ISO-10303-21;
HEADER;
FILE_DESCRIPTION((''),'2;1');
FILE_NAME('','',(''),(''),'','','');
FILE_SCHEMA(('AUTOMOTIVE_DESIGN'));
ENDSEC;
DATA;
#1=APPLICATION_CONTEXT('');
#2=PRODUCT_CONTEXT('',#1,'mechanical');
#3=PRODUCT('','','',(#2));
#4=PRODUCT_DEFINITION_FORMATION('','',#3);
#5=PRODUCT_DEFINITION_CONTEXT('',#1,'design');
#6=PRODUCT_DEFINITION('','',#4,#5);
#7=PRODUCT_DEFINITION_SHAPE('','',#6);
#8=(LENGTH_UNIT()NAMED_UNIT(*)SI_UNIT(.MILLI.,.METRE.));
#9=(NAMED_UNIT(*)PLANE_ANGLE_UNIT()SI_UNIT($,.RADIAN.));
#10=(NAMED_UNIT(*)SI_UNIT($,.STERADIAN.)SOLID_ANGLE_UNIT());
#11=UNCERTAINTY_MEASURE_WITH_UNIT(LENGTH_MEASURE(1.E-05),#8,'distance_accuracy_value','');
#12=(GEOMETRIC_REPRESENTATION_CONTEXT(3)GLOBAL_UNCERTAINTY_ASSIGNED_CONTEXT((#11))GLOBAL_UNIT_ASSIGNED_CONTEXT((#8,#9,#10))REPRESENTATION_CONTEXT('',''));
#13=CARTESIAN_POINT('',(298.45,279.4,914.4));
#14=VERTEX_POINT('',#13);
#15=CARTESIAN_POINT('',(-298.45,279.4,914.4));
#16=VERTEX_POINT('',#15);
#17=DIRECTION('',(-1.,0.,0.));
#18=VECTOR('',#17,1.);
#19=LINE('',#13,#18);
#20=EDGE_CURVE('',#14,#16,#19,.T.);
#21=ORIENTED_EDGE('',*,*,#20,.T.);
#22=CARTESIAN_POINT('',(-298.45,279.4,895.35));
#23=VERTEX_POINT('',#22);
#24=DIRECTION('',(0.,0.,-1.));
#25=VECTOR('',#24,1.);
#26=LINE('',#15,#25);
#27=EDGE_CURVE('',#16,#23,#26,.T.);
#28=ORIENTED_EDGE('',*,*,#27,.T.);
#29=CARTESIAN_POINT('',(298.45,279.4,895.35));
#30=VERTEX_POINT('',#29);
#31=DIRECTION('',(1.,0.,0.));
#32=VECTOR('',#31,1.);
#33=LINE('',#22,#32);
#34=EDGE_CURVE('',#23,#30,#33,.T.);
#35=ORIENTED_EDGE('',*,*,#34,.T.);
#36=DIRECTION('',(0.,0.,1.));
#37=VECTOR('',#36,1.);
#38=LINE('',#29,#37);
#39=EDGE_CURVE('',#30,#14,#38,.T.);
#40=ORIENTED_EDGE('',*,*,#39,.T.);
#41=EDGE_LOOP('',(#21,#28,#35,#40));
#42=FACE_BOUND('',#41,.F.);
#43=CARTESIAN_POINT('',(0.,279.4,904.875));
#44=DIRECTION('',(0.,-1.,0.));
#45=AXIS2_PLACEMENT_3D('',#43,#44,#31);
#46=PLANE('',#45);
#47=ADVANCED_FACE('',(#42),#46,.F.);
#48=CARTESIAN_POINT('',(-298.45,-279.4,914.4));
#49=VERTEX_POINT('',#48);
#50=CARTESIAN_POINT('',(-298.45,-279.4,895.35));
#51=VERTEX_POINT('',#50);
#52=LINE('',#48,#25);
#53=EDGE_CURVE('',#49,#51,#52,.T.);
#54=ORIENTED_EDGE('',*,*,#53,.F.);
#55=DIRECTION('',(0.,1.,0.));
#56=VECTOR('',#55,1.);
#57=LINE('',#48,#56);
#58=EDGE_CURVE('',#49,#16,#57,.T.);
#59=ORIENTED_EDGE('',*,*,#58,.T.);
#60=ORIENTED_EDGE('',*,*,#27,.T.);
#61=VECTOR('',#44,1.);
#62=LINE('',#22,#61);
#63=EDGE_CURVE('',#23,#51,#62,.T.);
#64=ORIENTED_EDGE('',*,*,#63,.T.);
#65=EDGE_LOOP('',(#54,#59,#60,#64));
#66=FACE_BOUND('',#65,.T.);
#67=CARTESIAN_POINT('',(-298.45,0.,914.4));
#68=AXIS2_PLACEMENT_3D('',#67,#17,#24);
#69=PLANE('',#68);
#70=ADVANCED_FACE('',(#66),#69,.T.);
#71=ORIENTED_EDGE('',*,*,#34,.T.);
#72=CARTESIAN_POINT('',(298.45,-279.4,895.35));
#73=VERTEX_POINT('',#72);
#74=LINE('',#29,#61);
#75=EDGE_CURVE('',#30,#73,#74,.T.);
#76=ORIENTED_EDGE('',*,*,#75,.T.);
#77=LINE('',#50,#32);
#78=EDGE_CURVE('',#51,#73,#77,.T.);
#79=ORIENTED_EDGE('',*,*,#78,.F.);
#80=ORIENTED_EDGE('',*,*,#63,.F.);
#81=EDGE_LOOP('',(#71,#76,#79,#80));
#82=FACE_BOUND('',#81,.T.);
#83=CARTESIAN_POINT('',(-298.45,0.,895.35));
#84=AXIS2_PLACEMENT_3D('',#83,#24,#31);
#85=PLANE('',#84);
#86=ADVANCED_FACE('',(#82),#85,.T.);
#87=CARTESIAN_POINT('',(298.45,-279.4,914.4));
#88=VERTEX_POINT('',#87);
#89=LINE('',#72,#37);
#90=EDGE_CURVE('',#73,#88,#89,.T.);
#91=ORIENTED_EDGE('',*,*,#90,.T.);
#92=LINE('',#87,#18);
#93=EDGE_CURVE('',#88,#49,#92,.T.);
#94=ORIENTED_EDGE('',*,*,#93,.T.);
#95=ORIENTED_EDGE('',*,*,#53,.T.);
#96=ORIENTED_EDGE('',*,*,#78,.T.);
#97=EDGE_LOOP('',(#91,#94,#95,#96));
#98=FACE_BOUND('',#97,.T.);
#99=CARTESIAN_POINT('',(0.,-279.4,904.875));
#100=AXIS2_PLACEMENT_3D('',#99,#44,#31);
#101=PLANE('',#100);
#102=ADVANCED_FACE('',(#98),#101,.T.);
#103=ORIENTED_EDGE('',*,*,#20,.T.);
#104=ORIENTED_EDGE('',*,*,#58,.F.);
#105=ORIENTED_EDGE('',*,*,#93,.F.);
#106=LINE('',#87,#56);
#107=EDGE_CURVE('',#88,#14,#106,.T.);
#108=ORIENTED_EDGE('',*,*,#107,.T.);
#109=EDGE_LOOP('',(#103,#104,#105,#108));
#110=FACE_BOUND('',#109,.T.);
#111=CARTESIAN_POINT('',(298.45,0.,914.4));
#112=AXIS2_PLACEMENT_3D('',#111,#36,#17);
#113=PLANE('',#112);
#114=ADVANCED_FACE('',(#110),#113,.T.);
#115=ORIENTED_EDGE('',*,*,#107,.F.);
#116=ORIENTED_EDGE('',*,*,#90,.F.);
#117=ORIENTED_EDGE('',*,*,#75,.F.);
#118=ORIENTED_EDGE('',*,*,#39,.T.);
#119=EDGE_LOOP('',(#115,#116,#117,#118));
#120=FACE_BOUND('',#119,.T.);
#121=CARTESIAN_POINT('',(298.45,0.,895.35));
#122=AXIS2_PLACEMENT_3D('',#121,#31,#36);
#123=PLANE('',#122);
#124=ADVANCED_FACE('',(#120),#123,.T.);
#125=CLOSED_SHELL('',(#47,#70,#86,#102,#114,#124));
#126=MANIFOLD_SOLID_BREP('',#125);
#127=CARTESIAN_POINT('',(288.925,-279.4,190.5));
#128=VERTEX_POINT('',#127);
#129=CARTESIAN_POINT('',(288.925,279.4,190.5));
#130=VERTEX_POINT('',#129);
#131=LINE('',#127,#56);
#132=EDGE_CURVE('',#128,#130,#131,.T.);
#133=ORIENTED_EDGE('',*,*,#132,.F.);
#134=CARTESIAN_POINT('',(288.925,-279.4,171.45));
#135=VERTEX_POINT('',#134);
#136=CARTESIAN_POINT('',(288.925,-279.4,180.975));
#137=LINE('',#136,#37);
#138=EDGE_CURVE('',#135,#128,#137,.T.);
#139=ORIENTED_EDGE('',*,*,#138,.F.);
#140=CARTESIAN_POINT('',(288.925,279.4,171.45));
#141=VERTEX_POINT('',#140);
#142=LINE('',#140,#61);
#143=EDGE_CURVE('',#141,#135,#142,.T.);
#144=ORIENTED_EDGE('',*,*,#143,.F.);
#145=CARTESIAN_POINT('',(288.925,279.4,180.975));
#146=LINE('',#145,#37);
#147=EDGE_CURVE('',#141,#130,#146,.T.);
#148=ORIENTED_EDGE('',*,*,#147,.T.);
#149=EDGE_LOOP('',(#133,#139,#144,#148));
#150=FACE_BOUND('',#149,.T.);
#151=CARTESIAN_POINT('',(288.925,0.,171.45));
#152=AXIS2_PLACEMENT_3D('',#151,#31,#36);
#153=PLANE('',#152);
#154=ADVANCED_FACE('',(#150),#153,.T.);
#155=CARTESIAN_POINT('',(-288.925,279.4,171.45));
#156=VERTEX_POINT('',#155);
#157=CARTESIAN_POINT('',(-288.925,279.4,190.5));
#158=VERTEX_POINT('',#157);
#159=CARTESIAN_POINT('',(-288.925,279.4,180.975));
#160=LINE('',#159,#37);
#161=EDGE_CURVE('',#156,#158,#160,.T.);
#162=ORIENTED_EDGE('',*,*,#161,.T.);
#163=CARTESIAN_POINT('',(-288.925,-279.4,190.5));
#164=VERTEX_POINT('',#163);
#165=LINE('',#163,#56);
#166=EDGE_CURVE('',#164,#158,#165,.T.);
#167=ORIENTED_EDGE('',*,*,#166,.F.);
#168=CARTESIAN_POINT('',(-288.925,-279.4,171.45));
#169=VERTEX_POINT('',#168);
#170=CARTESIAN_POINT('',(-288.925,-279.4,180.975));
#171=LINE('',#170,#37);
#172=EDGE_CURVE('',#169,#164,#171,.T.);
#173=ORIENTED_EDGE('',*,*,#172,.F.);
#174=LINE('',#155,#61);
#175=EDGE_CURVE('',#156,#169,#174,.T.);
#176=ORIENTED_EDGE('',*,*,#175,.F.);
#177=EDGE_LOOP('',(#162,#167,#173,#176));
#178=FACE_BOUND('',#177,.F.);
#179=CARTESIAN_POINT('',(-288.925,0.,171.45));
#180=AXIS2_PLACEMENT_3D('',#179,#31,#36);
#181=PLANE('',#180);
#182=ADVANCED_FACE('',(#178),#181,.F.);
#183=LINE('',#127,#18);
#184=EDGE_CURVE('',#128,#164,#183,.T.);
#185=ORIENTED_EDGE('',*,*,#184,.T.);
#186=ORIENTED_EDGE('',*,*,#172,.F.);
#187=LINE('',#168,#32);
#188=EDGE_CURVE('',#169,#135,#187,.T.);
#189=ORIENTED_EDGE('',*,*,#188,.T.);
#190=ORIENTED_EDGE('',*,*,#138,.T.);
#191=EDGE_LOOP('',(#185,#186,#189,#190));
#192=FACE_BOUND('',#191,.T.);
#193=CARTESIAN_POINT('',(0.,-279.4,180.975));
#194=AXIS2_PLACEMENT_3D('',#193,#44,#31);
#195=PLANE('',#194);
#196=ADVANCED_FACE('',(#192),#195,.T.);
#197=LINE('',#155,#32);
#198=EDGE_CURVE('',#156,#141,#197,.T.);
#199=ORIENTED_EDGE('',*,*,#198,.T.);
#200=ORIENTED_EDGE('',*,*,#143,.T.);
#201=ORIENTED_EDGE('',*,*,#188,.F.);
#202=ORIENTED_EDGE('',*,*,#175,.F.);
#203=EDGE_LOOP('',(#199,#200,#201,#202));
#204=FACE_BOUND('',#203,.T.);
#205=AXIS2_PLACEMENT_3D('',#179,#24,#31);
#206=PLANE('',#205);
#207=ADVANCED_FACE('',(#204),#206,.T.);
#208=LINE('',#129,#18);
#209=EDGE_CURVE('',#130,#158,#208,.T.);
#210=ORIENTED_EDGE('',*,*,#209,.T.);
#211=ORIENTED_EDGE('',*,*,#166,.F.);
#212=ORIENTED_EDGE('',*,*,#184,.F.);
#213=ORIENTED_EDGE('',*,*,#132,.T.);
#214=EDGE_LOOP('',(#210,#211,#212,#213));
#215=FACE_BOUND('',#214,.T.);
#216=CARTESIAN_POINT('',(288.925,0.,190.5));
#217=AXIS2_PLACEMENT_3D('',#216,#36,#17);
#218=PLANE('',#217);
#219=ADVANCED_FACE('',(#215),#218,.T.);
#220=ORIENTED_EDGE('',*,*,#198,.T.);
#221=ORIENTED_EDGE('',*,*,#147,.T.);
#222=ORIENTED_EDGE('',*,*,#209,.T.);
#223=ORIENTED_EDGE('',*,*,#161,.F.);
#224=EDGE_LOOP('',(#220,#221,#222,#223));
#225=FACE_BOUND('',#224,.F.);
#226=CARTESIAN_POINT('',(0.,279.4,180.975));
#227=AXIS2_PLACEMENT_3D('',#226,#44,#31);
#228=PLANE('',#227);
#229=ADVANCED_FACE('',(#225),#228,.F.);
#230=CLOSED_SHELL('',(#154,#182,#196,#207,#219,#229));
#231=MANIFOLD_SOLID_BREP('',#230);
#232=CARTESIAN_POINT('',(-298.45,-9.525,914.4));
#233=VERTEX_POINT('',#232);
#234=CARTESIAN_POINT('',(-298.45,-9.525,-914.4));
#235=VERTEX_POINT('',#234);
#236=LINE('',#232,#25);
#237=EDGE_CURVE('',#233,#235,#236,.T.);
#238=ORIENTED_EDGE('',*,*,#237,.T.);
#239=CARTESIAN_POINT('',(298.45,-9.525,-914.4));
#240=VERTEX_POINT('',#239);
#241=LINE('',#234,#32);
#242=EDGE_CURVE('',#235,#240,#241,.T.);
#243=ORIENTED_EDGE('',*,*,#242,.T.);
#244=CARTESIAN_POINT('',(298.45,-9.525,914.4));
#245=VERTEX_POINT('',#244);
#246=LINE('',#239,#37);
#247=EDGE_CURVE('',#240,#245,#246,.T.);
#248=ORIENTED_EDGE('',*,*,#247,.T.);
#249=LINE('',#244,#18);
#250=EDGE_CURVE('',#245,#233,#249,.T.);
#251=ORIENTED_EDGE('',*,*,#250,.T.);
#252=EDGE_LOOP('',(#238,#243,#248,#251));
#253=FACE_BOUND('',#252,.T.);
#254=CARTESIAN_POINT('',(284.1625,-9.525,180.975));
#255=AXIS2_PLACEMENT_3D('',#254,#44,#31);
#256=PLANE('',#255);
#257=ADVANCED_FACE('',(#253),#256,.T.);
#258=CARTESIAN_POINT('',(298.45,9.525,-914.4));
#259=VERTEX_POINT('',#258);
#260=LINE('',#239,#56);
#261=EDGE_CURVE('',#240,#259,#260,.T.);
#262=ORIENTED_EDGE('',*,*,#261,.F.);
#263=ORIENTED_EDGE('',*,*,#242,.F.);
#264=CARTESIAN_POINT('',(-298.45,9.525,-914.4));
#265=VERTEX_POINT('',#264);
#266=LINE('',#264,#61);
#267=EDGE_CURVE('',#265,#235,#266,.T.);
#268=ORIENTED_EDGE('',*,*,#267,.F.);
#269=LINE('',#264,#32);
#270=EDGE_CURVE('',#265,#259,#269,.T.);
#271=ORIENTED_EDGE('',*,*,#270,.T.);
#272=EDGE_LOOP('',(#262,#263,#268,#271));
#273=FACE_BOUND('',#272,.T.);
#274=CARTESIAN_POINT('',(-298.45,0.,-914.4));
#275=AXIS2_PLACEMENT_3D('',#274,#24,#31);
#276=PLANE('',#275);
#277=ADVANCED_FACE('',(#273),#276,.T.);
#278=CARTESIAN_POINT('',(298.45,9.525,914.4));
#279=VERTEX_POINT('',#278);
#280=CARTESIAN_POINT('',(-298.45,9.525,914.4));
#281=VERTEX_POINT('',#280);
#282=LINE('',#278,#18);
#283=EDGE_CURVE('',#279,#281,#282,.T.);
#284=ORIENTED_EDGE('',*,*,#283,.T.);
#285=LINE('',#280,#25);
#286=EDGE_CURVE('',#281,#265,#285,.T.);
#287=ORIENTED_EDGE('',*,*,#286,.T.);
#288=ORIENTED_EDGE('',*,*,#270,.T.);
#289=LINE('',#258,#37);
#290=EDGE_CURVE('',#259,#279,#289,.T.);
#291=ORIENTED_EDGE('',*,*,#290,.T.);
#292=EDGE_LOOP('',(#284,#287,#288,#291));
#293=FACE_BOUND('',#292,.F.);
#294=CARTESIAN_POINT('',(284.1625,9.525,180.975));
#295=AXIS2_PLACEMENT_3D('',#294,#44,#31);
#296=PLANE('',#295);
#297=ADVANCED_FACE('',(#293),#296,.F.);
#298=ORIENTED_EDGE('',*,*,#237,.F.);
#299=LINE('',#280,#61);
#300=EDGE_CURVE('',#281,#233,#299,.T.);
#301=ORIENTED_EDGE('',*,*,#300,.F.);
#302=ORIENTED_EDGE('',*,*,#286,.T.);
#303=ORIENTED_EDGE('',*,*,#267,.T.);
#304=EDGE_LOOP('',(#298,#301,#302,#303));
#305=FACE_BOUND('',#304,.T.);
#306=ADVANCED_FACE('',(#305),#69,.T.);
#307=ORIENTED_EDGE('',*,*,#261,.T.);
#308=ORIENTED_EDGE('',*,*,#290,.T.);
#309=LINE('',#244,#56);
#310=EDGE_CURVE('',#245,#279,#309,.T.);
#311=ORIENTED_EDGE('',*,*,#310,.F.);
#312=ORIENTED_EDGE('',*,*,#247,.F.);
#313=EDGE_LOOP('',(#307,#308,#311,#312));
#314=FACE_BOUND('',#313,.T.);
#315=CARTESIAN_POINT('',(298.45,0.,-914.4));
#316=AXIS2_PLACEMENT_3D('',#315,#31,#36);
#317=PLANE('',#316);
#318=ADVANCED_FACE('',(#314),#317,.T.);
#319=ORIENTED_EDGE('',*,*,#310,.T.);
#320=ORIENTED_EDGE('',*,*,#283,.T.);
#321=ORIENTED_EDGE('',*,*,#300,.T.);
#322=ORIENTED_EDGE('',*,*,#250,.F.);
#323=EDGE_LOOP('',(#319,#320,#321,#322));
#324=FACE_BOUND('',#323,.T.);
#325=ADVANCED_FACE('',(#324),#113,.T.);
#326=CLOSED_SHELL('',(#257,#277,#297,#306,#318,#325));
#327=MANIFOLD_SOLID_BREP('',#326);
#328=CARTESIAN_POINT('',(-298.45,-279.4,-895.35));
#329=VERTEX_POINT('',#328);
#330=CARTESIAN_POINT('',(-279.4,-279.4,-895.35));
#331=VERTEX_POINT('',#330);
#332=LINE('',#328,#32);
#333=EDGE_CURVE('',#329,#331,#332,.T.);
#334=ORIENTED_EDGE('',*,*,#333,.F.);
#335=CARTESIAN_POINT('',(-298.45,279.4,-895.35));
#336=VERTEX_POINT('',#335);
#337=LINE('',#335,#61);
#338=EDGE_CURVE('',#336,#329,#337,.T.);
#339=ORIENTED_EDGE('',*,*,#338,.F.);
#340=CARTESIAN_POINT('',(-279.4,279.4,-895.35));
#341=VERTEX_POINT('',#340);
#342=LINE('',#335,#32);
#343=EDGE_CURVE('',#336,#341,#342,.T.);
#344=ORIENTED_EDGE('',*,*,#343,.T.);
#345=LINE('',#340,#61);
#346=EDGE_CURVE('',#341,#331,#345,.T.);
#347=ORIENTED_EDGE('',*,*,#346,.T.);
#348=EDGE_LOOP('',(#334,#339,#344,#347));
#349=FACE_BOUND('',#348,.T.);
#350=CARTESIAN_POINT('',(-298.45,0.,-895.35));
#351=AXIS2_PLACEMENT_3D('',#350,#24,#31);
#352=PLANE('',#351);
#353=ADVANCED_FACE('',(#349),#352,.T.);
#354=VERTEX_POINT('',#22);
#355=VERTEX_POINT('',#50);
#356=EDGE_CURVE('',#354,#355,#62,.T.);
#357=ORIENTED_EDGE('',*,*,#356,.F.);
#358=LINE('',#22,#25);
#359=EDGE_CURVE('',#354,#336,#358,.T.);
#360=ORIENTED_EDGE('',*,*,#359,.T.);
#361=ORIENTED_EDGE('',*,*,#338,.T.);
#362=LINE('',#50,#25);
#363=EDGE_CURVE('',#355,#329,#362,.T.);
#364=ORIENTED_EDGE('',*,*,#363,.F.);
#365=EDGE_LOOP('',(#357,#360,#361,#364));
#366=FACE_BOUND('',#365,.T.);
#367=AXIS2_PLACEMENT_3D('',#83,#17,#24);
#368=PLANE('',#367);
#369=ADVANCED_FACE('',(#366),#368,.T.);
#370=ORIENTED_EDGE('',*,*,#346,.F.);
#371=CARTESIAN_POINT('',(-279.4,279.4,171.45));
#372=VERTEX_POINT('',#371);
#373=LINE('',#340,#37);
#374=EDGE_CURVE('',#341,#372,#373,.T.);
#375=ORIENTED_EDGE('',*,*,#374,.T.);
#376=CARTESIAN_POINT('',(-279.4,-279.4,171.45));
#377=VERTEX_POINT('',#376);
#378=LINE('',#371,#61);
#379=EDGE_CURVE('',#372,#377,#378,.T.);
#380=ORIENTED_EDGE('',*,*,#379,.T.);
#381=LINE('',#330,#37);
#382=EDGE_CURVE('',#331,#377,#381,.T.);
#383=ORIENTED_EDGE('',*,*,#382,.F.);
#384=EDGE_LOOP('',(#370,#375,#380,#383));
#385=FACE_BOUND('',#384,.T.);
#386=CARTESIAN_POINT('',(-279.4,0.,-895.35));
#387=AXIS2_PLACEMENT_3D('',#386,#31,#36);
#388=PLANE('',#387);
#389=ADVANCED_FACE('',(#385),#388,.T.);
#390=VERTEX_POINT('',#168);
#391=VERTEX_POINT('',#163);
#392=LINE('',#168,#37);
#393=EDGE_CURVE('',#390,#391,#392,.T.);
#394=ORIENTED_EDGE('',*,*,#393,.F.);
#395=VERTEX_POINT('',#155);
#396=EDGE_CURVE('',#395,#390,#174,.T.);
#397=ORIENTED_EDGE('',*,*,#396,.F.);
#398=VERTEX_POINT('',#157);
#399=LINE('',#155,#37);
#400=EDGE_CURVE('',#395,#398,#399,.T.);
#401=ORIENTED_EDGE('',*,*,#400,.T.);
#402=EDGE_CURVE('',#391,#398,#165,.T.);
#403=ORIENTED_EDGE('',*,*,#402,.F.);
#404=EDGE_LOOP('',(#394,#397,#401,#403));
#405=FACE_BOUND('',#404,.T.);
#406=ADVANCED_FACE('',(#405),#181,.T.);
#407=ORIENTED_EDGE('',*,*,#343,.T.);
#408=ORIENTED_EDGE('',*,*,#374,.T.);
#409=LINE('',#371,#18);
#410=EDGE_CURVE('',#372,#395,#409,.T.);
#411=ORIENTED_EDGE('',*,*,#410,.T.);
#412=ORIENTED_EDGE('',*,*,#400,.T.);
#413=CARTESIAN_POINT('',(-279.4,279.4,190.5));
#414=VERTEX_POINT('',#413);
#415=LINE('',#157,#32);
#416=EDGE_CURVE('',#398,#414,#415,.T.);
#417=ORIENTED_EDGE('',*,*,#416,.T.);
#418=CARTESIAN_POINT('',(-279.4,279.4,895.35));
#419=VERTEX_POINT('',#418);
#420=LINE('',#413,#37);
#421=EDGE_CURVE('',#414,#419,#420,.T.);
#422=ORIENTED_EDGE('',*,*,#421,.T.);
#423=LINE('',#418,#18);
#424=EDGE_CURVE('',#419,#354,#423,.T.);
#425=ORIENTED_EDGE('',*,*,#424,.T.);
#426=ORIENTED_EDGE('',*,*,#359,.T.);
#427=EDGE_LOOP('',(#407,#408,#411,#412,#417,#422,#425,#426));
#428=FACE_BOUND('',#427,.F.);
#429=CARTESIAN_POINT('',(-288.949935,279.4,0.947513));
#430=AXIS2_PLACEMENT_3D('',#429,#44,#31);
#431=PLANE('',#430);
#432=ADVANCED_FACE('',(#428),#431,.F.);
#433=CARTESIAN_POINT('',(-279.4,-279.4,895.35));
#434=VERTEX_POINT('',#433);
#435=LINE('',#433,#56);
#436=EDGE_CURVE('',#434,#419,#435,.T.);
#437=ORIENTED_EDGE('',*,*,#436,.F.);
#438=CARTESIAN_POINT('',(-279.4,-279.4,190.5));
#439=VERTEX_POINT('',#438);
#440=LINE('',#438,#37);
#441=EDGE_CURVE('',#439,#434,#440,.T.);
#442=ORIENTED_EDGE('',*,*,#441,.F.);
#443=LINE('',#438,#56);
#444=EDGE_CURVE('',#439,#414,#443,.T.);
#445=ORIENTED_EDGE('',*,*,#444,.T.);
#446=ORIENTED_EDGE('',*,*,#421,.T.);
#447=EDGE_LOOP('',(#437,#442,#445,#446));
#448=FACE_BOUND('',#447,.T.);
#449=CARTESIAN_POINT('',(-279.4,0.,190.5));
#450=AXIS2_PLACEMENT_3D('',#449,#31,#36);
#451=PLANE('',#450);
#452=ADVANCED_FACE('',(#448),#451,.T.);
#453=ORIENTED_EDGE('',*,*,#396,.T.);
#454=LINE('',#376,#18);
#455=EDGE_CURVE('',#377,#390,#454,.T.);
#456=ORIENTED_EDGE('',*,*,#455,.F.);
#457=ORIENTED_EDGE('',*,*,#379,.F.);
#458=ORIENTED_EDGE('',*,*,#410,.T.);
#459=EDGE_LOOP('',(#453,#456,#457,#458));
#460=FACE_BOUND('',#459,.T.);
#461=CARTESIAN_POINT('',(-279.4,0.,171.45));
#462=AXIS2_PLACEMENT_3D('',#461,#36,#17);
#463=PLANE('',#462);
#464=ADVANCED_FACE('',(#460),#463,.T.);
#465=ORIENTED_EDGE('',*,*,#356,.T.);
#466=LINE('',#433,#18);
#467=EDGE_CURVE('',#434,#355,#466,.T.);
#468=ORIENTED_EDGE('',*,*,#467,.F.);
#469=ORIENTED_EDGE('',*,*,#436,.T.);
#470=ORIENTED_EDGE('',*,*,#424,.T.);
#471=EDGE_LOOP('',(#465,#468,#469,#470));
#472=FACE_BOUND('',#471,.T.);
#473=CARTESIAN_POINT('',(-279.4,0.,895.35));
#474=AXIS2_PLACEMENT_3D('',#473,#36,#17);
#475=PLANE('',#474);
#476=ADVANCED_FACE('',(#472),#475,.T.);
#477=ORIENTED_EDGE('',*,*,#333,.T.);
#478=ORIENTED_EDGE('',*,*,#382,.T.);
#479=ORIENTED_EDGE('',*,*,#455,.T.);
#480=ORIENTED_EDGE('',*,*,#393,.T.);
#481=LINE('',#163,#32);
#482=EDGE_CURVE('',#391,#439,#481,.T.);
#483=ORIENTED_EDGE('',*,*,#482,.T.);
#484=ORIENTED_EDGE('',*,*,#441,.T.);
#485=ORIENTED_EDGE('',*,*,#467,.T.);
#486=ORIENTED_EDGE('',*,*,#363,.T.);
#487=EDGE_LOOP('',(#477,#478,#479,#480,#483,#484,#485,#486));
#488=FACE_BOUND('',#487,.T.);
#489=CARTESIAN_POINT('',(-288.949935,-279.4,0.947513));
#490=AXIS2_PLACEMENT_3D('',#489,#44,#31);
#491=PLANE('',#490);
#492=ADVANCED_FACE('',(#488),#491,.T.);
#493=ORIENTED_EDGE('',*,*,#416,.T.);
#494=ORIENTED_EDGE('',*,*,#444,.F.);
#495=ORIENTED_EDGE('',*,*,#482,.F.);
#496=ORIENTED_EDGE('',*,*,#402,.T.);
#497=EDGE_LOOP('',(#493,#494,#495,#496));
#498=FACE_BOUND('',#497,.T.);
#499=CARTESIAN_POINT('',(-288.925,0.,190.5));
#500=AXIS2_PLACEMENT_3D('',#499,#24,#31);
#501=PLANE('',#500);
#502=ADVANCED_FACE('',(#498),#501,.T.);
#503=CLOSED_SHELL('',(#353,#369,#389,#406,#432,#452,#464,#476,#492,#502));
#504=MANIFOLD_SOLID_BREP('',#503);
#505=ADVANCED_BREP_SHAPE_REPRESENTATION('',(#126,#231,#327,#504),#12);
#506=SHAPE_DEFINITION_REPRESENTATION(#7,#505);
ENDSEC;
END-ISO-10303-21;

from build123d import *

# Parameters (mm, degrees)
F2_DEPTH      = 279.4
F3_DEPTH      = 279.4
F3_DEPTH_BACK = 279.4
F1_W          = 558.8
F1_H          = 19.05
F1_W_2        = 9.525
F4_DEPTH      = 279.4
F4_DEPTH_BACK = 279.4
F1_H_2        = 1066.8
F1_H_3        = 704.85
F5_DEPTH      = 9.525


with BuildPart() as f2:
    # F1 (on Front) → F2 (new body, symmetric)
    with BuildSketch(Plane.XZ):
        Polygon((-279.4, 895.35), (-298.45, 895.35), (-298.45, -895.35), (-279.4, -895.35), (-279.4, 171.45), (-288.925, 171.45), (-288.925, 190.5), (-279.4, 190.5), align=None)
    extrude(amount=F2_DEPTH, both=True)


with BuildPart() as f3:
    # F1 (on Front) → F3 (new body, two sides)
    with BuildSketch(Plane.XZ) as f3_sk:
        Polygon((-298.45, 914.4), (-298.45, 895.35), (-279.4, 895.35), (279.4, 895.35), (298.45, 895.35), (298.45, 914.4), align=None)
    extrude(amount=F3_DEPTH)
    extrude(f3_sk.sketch, amount=-F3_DEPTH_BACK)


with BuildPart() as f4:
    # F1 (on Front) → F4 (new body, two sides)
    with BuildSketch(Plane.XZ) as f4_sk:
        with Locations((0, 180.975)):
            Rectangle(F1_W, F1_H)
        with Locations((-284.1625, 180.975)):
            Rectangle(F1_W_2, F1_H)
        with Locations((284.1625, 180.975)):
            Rectangle(F1_W_2, F1_H)
    extrude(amount=F4_DEPTH)
    extrude(f4_sk.sketch, amount=-F4_DEPTH_BACK)


with BuildPart() as f5:
    # F1 (on Front) → F5 (new body, symmetric)
    with BuildSketch(Plane.XZ):
        with Locations((284.1625, 180.975)):
            Rectangle(F1_W_2, F1_H)
        with Locations((0, 180.975)):
            Rectangle(F1_W, F1_H)
        with Locations((-284.1625, 180.975)):
            Rectangle(F1_W_2, F1_H)
        Polygon((-279.4, -895.35), (-298.45, -895.35), (-298.45, -914.4), (298.45, -914.4), (298.45, -895.35), (279.4, -895.35), align=None)
        Polygon((-298.45, 914.4), (-298.45, 895.35), (-279.4, 895.35), (279.4, 895.35), (298.45, 895.35), (298.45, 914.4), align=None)
        Polygon((-279.4, 895.35), (-298.45, 895.35), (-298.45, -895.35), (-279.4, -895.35), (-279.4, 171.45), (-288.925, 171.45), (-288.925, 190.5), (-279.4, 190.5), align=None)
        Polygon((298.45, 895.35), (279.4, 895.35), (279.4, 190.5), (288.925, 190.5), (288.925, 171.45), (279.4, 171.45), (279.4, -895.35), (298.45, -895.35), align=None)
        with Locations((0, -361.95)):
            Rectangle(F1_W, F1_H_2)
        with Locations((0, 542.925)):
            Rectangle(F1_W, F1_H_3)
    extrude(amount=F5_DEPTH, both=True)


solid = Compound([f2.part, f3.part, f4.part, f5.part])
